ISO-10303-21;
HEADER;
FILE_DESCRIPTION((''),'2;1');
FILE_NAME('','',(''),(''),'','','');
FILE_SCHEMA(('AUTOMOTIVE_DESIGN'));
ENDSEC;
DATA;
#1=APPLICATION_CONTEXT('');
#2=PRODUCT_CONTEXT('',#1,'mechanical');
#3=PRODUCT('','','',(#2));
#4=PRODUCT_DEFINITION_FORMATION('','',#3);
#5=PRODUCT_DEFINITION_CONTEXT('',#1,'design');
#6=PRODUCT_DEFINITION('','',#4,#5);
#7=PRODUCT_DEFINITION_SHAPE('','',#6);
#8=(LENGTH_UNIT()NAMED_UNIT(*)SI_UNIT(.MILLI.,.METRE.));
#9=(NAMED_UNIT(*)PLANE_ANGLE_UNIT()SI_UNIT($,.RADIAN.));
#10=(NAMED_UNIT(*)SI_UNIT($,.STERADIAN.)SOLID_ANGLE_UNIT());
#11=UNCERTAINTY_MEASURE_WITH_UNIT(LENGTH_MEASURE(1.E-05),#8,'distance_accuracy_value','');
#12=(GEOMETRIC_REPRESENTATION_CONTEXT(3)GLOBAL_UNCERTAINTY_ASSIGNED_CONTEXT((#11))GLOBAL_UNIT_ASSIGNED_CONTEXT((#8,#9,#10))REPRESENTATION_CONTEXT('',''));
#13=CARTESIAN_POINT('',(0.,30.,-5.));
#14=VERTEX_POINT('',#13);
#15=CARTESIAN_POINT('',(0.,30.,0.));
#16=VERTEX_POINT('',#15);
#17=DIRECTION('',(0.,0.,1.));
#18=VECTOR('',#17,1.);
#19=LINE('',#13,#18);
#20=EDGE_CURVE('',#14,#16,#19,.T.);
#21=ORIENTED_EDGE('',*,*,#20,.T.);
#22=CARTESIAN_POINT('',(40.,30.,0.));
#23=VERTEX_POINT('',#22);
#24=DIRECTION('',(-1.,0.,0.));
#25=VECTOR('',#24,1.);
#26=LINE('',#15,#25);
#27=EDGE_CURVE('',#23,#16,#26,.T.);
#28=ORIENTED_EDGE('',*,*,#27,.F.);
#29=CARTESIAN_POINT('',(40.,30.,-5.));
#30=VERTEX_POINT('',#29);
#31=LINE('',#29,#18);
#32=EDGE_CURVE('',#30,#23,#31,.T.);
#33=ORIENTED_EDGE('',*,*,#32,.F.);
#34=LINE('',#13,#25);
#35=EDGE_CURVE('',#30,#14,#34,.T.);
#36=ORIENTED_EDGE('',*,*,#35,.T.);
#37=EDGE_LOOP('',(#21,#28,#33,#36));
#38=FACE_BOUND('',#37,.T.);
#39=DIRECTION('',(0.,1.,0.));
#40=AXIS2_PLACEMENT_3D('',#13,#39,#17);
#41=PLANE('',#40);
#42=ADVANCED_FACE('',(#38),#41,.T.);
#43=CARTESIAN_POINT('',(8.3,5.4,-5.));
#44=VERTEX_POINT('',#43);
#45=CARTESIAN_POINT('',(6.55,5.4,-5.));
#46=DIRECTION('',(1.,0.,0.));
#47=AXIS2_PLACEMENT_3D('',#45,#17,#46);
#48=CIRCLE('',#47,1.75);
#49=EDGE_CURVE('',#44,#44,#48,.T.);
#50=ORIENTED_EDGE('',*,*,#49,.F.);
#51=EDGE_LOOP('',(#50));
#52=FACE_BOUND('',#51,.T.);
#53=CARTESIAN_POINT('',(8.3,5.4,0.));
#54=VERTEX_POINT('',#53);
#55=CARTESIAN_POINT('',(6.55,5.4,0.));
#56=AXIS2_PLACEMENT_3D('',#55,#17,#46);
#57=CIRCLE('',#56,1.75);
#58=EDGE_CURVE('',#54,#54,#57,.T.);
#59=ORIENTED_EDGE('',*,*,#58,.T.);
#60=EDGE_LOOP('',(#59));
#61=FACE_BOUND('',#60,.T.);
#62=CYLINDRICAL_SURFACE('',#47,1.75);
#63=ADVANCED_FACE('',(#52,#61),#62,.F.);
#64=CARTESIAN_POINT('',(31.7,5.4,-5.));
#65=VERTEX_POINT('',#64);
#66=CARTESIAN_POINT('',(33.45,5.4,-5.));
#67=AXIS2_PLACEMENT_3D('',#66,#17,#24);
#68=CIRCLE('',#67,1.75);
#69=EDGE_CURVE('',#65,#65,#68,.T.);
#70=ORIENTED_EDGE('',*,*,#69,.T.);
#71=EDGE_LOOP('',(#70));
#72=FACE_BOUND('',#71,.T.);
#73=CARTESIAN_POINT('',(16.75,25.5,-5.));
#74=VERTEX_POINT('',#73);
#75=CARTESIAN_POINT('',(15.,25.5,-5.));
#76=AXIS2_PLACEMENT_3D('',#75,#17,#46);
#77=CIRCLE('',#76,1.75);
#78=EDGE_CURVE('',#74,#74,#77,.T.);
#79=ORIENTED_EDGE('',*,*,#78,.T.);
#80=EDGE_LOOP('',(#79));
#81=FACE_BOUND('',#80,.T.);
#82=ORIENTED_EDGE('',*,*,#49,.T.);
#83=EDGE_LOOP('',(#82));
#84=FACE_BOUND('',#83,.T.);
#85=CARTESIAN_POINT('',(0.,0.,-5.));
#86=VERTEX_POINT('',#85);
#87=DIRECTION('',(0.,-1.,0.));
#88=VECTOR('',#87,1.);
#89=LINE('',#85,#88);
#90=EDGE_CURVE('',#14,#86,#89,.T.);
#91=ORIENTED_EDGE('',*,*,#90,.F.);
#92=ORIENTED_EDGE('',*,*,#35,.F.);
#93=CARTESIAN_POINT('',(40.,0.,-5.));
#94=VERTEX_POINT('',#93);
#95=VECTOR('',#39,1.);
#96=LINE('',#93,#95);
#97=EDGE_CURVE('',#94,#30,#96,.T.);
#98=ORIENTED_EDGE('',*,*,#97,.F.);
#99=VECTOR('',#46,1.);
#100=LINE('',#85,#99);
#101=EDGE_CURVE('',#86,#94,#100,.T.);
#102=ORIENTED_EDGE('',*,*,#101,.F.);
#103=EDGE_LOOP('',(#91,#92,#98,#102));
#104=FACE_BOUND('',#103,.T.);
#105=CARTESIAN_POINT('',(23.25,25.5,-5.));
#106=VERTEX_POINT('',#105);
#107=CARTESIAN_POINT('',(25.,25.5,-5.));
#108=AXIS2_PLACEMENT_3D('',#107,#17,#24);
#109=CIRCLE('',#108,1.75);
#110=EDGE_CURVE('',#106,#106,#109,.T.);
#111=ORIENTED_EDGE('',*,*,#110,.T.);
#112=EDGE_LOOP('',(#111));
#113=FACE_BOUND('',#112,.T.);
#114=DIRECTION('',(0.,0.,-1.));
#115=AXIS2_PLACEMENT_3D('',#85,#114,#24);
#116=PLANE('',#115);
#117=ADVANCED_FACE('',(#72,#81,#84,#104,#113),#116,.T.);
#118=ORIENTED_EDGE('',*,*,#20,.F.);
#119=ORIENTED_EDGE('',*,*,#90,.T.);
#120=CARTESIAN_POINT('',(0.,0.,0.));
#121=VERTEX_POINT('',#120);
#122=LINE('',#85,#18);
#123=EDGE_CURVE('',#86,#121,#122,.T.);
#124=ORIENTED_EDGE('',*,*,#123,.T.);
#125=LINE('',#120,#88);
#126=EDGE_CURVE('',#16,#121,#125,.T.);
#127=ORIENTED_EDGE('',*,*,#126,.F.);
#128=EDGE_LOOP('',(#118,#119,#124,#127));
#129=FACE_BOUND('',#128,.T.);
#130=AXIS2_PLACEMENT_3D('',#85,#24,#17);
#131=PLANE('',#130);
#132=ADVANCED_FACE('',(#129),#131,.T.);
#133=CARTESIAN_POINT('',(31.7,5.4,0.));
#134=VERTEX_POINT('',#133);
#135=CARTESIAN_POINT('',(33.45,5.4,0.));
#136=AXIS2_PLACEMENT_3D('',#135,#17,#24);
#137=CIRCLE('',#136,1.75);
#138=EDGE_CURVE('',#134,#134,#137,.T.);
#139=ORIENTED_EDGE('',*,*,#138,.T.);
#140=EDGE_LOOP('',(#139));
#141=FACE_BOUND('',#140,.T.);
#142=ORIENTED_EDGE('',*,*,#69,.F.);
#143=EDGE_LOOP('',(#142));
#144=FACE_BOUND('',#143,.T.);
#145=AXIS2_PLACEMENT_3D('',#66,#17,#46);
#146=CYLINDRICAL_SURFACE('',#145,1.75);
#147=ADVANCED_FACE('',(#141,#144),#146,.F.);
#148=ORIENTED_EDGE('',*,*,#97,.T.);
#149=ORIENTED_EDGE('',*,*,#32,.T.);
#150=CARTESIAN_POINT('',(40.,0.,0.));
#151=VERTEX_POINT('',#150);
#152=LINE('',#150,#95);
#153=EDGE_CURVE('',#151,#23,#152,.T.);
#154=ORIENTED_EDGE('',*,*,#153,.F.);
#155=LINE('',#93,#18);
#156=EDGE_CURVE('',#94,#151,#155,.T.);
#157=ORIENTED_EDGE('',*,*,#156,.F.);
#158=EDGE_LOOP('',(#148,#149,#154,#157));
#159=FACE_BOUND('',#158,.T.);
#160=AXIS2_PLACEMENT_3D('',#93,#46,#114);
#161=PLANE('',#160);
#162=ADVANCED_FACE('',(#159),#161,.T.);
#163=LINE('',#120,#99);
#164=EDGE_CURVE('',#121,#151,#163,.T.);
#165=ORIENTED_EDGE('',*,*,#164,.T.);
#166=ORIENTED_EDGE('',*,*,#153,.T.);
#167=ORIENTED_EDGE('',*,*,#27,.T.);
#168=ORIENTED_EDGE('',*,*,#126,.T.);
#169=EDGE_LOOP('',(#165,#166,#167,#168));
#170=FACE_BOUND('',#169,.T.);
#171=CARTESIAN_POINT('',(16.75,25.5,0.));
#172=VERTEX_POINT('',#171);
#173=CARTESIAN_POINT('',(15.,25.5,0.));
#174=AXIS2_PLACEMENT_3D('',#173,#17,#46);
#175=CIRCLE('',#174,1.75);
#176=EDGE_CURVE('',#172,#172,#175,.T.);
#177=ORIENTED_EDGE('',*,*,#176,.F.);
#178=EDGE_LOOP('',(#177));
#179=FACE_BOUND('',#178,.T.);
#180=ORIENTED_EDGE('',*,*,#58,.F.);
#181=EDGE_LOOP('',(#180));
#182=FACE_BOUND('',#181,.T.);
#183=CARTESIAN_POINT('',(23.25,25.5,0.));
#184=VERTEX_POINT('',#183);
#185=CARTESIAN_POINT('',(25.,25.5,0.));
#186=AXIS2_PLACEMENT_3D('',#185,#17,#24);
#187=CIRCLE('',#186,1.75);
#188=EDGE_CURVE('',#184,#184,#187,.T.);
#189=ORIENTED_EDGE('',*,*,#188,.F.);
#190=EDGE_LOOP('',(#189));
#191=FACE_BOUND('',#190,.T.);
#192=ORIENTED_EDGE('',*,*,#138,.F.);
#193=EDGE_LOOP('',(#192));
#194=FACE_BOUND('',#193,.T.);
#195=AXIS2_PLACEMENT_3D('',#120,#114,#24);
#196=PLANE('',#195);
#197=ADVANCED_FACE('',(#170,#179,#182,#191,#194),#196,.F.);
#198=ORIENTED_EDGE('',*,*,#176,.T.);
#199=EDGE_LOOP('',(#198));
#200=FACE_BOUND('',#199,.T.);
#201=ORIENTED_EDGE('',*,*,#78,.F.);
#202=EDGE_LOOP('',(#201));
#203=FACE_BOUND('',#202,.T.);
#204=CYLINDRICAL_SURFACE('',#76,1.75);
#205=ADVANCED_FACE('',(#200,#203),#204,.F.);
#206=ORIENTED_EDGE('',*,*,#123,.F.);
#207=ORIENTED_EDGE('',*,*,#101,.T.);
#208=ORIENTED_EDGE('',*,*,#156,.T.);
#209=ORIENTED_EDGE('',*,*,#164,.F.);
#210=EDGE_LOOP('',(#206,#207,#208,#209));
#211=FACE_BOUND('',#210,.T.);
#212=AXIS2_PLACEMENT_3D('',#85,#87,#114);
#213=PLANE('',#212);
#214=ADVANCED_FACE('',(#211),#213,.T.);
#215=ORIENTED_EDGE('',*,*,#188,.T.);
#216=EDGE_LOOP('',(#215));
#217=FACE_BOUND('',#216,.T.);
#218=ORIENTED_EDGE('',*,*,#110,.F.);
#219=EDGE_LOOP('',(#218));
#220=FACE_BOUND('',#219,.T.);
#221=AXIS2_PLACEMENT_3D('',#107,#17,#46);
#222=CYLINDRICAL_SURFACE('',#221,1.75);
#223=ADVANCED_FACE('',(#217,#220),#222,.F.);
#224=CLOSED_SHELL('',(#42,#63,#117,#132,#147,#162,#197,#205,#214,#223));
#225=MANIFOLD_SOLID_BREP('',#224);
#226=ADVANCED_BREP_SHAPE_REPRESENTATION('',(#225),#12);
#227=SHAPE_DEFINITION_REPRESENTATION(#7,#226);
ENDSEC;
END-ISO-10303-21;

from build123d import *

# Parameters (mm, degrees)
SKETCH1_W           = 40
SKETCH1_H           = 30
SKETCH1_R           = 1.75
BOSS_EXTRUDE1_DEPTH = 5


with BuildPart() as part:
    # Sketch1 → Boss-Extrude1 (new body)
    with BuildSketch(Plane.XY):
        with Locations((20, 15)):
            Rectangle(SKETCH1_W, SKETCH1_H)
        with Locations((15, 25.5)):
            Circle(SKETCH1_R, mode=Mode.SUBTRACT)
        with Locations(Location((25, 25.5, 0), (0, 0, 180))):
            Circle(SKETCH1_R, mode=Mode.SUBTRACT)
        with Locations((6.55, 5.4)):
            Circle(SKETCH1_R, mode=Mode.SUBTRACT)
        with Locations(Location((33.45, 5.4, 0), (0, 0, 180))):
            Circle(SKETCH1_R, mode=Mode.SUBTRACT)
    extrude(amount=-BOSS_EXTRUDE1_DEPTH)


solid = part.part
